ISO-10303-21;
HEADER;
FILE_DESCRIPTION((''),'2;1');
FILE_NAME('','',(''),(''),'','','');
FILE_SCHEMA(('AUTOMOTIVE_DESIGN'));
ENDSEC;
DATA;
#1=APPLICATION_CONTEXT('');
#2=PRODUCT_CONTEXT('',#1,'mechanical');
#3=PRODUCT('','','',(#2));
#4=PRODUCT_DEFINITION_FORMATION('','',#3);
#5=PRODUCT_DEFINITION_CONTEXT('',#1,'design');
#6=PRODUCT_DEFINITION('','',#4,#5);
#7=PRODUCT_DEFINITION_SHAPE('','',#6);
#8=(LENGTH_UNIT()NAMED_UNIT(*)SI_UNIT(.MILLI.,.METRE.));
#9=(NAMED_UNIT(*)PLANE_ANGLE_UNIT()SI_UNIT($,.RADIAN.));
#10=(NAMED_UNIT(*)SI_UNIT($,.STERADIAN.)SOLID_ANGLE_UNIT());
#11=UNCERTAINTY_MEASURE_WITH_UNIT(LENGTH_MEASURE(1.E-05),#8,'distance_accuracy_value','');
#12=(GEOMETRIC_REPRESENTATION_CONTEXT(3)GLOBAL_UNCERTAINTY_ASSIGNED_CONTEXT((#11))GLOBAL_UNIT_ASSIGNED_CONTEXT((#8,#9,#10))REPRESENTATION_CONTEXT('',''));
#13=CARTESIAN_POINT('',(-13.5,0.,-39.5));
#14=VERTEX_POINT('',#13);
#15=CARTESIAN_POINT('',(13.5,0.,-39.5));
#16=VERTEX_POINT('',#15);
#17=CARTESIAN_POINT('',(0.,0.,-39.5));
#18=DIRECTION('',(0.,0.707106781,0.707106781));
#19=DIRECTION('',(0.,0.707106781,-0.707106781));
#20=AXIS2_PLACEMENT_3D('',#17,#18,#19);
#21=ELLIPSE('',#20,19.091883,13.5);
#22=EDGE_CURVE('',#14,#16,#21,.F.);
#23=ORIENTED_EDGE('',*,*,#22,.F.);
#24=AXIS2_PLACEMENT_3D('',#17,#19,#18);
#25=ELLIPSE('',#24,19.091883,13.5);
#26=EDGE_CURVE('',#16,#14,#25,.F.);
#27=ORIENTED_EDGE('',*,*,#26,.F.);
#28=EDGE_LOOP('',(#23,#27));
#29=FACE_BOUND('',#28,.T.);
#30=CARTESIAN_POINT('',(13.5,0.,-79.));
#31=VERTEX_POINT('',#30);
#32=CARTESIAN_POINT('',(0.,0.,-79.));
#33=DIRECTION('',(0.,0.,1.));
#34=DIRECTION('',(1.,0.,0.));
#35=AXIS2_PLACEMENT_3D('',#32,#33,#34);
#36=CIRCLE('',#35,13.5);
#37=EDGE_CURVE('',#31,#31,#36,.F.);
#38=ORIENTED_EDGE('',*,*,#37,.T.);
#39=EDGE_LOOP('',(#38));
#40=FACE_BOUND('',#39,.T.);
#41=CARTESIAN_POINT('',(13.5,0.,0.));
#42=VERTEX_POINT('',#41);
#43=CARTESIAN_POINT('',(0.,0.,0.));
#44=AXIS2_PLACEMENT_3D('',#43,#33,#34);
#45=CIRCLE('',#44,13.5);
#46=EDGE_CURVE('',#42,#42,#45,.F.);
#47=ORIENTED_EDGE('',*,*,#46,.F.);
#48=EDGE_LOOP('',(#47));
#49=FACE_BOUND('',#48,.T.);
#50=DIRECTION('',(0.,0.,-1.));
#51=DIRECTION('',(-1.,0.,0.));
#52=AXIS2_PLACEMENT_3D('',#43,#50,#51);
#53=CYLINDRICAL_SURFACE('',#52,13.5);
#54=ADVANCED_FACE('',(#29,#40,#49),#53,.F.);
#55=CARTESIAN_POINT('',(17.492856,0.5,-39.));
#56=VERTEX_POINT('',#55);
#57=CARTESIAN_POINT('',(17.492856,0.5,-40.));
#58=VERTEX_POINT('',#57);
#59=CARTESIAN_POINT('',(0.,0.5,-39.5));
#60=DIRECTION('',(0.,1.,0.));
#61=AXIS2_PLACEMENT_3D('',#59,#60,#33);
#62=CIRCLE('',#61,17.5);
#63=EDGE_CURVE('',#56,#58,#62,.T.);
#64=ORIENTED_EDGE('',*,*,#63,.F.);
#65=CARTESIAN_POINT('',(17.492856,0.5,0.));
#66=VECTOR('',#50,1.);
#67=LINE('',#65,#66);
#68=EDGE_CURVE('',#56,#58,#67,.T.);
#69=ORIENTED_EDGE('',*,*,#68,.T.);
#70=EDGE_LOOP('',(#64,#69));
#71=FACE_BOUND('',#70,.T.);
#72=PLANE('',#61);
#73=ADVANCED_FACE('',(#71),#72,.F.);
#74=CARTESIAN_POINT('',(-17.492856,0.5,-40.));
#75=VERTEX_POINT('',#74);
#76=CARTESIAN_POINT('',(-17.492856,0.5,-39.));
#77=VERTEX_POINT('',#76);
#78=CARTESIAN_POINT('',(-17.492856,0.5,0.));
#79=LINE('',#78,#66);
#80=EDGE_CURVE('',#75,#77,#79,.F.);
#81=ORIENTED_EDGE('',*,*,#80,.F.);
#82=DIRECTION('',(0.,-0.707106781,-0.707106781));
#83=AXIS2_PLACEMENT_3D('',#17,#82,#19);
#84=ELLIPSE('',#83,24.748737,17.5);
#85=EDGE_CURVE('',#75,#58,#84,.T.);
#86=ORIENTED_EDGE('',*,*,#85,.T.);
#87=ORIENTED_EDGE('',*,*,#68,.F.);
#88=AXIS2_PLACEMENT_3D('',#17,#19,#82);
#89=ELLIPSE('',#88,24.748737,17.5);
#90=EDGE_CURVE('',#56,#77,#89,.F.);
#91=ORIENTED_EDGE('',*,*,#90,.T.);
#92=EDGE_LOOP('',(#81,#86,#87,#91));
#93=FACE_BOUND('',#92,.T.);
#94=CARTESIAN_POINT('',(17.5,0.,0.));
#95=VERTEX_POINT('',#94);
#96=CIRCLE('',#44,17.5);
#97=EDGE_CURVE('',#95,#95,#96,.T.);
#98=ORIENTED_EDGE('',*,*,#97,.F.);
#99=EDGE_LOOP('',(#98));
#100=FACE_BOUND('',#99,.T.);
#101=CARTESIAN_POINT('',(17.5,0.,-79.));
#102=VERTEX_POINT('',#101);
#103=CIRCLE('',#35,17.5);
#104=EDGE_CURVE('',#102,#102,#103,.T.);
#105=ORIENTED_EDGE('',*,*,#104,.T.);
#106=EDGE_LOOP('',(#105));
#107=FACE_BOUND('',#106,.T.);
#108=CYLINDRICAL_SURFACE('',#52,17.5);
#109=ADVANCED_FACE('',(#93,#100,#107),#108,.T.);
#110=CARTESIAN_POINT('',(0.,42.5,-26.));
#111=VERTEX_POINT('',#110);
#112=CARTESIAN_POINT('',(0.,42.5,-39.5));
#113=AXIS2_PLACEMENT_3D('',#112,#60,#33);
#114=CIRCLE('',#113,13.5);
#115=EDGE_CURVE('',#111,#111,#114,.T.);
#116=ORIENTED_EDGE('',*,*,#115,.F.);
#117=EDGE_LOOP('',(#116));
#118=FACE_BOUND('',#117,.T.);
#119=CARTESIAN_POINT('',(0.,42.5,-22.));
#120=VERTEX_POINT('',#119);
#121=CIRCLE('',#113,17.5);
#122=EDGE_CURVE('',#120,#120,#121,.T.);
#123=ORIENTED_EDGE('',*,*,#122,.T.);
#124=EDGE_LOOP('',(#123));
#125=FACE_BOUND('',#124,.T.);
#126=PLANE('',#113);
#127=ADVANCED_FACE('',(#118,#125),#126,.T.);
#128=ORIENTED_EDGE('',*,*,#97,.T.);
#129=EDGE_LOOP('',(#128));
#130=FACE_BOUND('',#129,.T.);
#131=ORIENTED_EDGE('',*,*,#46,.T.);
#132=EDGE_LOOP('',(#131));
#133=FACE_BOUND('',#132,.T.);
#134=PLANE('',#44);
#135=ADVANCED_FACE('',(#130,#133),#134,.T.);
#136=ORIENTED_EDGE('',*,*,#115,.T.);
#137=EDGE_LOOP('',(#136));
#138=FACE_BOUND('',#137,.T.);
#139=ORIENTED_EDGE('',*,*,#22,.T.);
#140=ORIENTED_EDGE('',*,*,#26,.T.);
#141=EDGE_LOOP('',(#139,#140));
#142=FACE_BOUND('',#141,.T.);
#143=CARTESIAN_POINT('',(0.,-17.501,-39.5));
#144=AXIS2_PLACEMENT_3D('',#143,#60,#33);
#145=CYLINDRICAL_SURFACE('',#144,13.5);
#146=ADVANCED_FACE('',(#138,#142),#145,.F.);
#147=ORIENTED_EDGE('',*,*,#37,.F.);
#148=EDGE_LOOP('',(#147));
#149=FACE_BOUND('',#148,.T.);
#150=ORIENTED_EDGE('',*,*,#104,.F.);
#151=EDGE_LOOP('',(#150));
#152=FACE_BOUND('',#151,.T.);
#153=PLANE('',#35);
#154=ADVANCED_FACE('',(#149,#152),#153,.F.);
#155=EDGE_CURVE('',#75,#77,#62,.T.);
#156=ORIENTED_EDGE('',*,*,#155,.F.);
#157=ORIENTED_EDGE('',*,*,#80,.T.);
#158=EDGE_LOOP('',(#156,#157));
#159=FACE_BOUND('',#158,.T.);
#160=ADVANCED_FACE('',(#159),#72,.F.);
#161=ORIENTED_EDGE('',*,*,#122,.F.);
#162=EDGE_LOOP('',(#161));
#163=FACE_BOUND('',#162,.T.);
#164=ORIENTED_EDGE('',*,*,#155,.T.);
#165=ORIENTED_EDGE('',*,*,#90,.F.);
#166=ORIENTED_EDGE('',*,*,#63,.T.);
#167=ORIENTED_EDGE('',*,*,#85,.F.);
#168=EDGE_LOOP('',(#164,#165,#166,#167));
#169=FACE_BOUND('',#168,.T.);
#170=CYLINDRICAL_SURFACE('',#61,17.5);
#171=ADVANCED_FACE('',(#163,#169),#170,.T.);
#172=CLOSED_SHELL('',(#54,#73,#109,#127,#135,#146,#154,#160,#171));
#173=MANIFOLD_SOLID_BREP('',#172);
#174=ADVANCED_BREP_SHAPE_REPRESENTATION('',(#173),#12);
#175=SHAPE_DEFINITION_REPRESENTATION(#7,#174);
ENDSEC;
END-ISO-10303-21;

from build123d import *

# Parameters (mm, degrees)
SKETCH1_R                = 17.5
SKETCH1_R_2              = 13.5
BOSS_EXTRUDE2_DEPTH      = 25
BOSS_EXTRUDE2_DEPTH_BACK = 17
SKETCH2_R                = 17.5
SKETCH3_R                = 13.5
CUT_EXTRUDE1_DEPTH       = 92.39748364
CUT_EXTRUDE2_REACH       = 102.734
CUT_EXTRUDE2_END_RADIUS  = 13.5
SKETCH4_R                = 13.5


with BuildPart() as part:
    # Sweep1: sweep along a curve in space
    with BuildLine() as sweep1_path:
        Line((0, 0, 0), (0, 0, -79))
    # Sketch1 → Sweep1 (sweep)
    with BuildSketch(Plane.XY):
        Circle(SKETCH1_R)
        Circle(SKETCH1_R_2, mode=Mode.SUBTRACT)
    sweep(path=sweep1_path.line)

    # Sketch2 → Boss-Extrude2 (add, two sides: drawn at the far end of the back side and taken through both)
    with BuildSketch(Plane(origin=(0, 17.5, 0), x_dir=(1, 0, 0), z_dir=(0, 1, 0)).offset(-BOSS_EXTRUDE2_DEPTH_BACK)):
        with Locations(Location((0, 39.5, 0), (0, 0, 270))):
            Circle(SKETCH2_R)
    extrude(amount=BOSS_EXTRUDE2_DEPTH + BOSS_EXTRUDE2_DEPTH_BACK)

    # Sketch3 → Cut-Extrude1 (cut, through all)
    with BuildSketch(Plane.XY):
        Circle(SKETCH3_R)
    extrude(amount=-CUT_EXTRUDE1_DEPTH, mode=Mode.SUBTRACT)

    # Cut-Extrude2: up to this cylinder (the profile starts outside it)
    cut_extrude2_end = Plane(origin=(0, 0, -39.5), z_dir=(0, 0, -1)) * Cylinder(CUT_EXTRUDE2_END_RADIUS, 233.468, mode=Mode.PRIVATE)
    # Sketch4 → Cut-Extrude2 (cut, up to the surface)
    with BuildSketch(Plane(origin=(0, 42.5, 0), x_dir=(1, 0, 0), z_dir=(0, 1, 0)), mode=Mode.PRIVATE) as cut_extrude2_sk1:
        with Locations(Location((0, 39.5, 0), (0, 0, 270))):
            Circle(SKETCH4_R)
    cut_extrude2_tool1 = extrude(cut_extrude2_sk1.sketch, amount=-CUT_EXTRUDE2_REACH, mode=Mode.PRIVATE) - cut_extrude2_end
    add(cut_extrude2_tool1.solids().sort_by_distance((0, 42.5, -39.5))[0], mode=Mode.SUBTRACT)


solid = part.part
